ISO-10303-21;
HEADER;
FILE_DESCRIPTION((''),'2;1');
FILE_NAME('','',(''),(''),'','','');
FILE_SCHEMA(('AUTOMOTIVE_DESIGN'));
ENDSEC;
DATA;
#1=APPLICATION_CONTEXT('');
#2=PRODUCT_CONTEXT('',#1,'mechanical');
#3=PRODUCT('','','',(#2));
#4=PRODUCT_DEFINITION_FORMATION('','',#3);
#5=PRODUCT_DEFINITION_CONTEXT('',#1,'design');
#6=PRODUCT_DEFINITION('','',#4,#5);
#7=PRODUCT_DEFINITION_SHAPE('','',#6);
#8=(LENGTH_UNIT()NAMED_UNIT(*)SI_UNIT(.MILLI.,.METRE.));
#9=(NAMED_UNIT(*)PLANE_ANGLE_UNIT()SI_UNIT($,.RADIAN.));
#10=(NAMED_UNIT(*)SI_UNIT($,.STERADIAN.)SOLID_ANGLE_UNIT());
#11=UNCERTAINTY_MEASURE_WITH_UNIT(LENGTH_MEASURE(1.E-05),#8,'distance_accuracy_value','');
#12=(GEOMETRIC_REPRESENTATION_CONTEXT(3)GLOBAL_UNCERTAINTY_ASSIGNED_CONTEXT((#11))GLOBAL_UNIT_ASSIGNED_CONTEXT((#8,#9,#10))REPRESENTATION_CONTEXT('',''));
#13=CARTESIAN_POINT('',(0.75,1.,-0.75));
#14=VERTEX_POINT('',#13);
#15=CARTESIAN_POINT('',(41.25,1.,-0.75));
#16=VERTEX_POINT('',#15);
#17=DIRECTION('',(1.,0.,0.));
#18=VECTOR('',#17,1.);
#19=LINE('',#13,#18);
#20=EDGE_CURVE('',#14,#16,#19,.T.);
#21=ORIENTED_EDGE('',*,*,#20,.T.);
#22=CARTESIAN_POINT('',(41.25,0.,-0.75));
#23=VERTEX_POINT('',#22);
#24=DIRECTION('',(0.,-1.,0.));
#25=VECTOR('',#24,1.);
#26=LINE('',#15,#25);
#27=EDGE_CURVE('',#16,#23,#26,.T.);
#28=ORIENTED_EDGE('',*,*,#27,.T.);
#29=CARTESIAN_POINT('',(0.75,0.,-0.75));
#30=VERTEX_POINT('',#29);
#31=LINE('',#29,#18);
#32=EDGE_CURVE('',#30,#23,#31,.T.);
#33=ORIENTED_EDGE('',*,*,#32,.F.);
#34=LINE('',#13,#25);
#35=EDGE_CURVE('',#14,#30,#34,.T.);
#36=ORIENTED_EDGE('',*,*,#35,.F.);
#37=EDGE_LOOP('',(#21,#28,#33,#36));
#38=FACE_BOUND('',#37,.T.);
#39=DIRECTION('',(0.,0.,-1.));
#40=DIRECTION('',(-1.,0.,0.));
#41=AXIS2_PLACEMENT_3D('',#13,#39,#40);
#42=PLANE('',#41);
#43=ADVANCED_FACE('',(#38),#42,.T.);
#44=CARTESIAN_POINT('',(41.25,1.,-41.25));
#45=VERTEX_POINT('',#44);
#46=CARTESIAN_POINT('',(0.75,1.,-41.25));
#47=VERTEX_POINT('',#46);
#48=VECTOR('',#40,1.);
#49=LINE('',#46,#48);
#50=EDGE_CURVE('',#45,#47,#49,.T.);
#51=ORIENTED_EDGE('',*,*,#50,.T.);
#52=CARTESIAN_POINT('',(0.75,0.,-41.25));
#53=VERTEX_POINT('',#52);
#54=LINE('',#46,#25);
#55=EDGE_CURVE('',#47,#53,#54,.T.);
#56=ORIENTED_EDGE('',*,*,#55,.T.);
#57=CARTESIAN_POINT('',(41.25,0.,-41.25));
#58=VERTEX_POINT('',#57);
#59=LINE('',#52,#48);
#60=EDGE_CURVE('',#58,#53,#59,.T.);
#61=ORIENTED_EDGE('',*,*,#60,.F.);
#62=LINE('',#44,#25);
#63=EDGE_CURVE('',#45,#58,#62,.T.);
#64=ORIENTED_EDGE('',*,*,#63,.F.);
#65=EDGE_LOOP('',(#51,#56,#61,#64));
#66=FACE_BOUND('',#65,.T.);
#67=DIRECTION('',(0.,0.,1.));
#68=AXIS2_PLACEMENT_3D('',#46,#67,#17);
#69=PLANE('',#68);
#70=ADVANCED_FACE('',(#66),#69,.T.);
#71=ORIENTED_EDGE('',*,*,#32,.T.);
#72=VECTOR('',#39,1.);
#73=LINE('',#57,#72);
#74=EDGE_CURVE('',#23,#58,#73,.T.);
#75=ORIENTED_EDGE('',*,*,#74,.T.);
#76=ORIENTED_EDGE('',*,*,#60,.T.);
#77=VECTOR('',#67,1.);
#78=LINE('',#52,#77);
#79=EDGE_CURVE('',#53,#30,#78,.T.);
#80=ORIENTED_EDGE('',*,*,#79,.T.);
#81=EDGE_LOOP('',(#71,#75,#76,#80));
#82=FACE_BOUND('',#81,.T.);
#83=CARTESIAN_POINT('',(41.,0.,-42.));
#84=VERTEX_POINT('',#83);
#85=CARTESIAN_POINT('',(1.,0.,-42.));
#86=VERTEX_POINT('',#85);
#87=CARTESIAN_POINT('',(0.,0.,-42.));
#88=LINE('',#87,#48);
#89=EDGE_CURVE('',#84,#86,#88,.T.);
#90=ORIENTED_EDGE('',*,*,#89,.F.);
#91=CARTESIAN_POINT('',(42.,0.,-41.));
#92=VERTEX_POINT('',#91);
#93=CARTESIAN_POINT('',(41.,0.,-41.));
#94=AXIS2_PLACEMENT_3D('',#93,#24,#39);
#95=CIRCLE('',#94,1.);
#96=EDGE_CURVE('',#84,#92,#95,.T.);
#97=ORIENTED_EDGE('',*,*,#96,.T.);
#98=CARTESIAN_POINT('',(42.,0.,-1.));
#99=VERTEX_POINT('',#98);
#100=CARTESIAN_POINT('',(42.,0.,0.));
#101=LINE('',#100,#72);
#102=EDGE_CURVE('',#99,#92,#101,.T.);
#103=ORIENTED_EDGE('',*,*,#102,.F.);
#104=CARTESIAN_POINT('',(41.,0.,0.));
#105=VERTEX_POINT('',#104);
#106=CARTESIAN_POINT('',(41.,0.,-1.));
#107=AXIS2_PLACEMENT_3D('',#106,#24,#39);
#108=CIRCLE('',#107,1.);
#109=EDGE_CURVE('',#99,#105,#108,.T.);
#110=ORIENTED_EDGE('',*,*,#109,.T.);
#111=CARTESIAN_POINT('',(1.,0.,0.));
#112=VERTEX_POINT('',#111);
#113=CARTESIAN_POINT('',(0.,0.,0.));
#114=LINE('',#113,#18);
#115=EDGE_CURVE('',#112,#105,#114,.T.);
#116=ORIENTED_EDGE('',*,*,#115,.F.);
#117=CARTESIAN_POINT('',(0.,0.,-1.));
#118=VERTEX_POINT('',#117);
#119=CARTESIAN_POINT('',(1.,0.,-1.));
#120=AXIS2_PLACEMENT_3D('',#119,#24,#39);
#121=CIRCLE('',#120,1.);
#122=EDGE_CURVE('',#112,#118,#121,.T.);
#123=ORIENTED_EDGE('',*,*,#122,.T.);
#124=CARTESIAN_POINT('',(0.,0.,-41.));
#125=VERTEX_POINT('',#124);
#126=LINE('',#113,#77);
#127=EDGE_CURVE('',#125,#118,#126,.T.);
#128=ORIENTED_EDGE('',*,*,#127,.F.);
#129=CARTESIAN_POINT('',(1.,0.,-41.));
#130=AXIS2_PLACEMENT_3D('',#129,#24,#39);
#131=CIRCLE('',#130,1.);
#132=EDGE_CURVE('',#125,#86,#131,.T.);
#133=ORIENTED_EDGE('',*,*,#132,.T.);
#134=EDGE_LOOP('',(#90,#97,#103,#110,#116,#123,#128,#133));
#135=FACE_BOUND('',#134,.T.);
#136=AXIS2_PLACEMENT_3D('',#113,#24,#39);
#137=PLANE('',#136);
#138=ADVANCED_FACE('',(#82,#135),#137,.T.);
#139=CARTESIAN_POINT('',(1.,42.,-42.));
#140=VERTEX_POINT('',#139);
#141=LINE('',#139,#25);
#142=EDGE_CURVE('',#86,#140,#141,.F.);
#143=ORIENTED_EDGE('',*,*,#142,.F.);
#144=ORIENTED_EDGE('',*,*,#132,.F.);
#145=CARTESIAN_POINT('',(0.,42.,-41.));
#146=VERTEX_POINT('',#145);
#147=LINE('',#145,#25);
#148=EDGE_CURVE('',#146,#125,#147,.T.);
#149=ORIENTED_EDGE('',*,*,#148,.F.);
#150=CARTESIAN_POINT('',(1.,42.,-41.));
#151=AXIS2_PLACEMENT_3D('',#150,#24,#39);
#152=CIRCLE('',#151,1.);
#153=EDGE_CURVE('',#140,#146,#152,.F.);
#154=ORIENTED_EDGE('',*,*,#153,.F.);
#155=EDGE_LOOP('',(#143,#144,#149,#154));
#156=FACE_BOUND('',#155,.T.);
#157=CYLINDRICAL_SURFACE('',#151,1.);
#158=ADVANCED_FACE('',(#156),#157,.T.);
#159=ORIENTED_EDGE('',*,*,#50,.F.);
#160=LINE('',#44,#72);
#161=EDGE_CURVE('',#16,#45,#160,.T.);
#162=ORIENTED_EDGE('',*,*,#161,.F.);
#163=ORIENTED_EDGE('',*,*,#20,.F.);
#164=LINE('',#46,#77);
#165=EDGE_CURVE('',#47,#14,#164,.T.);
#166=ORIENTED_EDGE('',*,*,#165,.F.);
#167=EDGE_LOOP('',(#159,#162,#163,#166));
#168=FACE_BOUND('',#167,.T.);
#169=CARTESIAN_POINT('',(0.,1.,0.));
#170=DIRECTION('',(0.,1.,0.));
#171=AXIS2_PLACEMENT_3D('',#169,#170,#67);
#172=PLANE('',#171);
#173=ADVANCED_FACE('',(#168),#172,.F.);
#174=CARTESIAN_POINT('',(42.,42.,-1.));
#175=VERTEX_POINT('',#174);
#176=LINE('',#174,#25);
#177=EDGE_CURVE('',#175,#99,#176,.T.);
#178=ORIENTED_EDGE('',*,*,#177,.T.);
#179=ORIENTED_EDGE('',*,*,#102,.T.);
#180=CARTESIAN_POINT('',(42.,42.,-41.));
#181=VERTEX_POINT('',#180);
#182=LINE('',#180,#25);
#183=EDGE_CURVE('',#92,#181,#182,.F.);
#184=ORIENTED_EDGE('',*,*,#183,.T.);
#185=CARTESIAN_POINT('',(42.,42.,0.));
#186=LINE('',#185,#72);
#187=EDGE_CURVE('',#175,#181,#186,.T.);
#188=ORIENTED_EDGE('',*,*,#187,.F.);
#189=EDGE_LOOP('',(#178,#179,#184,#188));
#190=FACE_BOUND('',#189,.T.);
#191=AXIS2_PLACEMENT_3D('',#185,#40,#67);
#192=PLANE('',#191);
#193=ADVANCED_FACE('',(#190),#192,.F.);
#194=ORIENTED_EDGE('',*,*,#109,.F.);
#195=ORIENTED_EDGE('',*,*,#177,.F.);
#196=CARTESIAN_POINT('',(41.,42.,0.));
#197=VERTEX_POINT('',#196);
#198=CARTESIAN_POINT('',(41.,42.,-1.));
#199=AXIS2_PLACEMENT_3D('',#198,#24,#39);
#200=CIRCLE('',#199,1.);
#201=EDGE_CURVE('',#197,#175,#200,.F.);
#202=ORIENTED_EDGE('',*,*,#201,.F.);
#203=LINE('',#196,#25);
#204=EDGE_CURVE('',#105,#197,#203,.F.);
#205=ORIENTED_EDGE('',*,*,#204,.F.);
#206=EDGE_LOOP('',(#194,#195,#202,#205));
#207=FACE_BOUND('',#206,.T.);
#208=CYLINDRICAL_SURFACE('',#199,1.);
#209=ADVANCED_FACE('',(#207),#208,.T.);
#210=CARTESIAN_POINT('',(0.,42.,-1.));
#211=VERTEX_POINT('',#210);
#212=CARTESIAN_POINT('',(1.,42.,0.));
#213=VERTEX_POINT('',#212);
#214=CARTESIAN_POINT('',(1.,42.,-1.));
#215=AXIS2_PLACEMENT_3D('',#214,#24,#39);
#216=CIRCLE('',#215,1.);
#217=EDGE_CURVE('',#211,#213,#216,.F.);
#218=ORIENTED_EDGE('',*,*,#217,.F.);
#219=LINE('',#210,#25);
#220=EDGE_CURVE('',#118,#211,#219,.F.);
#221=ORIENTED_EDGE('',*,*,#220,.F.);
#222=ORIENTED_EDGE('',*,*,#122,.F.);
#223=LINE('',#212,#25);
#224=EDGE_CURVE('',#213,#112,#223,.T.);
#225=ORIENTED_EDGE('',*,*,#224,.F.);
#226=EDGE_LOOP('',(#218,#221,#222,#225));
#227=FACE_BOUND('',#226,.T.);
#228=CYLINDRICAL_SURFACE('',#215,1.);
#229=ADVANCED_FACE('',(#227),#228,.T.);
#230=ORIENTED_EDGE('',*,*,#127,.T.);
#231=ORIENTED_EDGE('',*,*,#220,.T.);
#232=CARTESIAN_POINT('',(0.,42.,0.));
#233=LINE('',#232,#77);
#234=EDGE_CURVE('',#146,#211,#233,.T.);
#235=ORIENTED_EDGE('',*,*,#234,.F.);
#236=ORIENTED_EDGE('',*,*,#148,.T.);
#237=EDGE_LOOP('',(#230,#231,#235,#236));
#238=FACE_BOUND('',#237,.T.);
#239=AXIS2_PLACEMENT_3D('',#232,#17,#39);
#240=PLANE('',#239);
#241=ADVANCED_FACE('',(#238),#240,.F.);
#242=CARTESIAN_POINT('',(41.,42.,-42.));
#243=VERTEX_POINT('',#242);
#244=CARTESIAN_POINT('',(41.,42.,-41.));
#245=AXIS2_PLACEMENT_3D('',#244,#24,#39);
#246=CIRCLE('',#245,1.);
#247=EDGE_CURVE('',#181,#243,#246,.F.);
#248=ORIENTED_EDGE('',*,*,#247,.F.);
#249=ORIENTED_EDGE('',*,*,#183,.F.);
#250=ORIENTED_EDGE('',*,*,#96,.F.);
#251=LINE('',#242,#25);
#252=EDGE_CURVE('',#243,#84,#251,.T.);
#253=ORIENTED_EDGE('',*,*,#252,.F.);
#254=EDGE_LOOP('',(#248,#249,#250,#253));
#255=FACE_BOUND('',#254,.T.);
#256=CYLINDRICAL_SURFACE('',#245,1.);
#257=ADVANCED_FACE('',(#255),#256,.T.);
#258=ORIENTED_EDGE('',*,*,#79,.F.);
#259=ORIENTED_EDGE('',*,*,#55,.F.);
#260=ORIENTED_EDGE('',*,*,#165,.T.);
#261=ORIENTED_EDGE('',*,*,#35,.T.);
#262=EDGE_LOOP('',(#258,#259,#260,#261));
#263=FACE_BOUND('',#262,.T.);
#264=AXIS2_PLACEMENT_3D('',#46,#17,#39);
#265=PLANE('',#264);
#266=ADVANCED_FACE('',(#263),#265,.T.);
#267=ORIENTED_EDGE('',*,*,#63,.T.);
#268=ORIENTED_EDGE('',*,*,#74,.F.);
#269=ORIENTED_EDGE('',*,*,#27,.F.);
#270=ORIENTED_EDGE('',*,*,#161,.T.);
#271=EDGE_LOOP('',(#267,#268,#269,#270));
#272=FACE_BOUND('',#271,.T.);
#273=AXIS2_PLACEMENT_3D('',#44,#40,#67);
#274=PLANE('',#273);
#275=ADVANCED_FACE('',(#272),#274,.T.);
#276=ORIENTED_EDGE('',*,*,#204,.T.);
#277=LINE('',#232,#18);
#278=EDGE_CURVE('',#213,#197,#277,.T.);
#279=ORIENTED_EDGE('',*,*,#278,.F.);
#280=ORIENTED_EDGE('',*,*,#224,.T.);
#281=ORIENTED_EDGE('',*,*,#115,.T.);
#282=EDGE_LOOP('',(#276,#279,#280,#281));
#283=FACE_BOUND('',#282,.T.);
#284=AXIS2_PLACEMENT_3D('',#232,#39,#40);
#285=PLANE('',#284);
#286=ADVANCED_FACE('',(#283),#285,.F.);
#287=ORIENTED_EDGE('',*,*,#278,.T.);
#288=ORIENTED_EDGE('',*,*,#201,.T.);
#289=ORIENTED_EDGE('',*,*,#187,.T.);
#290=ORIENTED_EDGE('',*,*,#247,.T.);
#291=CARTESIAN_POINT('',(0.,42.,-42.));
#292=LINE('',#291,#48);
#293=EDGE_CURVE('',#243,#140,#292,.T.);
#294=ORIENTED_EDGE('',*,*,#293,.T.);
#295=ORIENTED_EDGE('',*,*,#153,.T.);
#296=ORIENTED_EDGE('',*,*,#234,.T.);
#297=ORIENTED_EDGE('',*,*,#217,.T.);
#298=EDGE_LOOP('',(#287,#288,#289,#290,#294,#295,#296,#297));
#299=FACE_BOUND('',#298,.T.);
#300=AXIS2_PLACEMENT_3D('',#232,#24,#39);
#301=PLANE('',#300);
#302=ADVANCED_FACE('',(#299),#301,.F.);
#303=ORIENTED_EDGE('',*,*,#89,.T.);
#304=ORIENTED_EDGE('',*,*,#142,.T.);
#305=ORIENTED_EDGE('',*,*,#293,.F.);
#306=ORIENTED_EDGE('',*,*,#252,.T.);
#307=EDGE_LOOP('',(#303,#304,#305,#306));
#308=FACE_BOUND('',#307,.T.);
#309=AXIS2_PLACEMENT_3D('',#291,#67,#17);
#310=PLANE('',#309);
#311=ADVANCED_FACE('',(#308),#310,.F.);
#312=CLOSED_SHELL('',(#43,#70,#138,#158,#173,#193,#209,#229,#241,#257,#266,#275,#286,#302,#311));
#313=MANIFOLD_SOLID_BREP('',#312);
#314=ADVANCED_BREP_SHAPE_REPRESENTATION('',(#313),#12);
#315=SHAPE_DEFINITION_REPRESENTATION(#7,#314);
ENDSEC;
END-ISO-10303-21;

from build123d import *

# Parameters (mm, degrees)
SKIZZE1_W                       = 42
SKIZZE1_H                       = 42
AUFSATZ_LINEAR_AUSTRAGEN1_DEPTH = 42
VERRUNDUNG1_R                   = 1
SKIZZE2_W                       = 40.5
SKIZZE2_H                       = 40.5
SCHNITT_LINEAR_AUSTRAGEN1_DEPTH = 1


with BuildPart() as part:
    # Skizze1 → Aufsatz-Linear austragen1 (new body)
    with BuildSketch(Plane(origin=(0, 0, 0), x_dir=(1, 0, 0), z_dir=(0, 1, 0))):
        with Locations((21, 21)):
            Rectangle(SKIZZE1_W, SKIZZE1_H)
    extrude(amount=AUFSATZ_LINEAR_AUSTRAGEN1_DEPTH)

    # Verrundung1
    verrundung1_edges = [part.edges().sort_by_distance(p)[0] for p in [
        (42, 21, 0),
        (0, 21, 0),
        (0, 21, -42),
        (42, 21, -42),
    ]]
    fillet(verrundung1_edges, radius=VERRUNDUNG1_R)

    # Skizze2 → Schnitt-Linear austragen1 (cut)
    with BuildSketch(Plane(origin=(0, 0, 0), x_dir=(1, 0, 0), z_dir=(0, 1, 0))):
        with Locations((21, 21)):
            Rectangle(SKIZZE2_W, SKIZZE2_H)
    extrude(amount=SCHNITT_LINEAR_AUSTRAGEN1_DEPTH, mode=Mode.SUBTRACT)


solid = part.part
